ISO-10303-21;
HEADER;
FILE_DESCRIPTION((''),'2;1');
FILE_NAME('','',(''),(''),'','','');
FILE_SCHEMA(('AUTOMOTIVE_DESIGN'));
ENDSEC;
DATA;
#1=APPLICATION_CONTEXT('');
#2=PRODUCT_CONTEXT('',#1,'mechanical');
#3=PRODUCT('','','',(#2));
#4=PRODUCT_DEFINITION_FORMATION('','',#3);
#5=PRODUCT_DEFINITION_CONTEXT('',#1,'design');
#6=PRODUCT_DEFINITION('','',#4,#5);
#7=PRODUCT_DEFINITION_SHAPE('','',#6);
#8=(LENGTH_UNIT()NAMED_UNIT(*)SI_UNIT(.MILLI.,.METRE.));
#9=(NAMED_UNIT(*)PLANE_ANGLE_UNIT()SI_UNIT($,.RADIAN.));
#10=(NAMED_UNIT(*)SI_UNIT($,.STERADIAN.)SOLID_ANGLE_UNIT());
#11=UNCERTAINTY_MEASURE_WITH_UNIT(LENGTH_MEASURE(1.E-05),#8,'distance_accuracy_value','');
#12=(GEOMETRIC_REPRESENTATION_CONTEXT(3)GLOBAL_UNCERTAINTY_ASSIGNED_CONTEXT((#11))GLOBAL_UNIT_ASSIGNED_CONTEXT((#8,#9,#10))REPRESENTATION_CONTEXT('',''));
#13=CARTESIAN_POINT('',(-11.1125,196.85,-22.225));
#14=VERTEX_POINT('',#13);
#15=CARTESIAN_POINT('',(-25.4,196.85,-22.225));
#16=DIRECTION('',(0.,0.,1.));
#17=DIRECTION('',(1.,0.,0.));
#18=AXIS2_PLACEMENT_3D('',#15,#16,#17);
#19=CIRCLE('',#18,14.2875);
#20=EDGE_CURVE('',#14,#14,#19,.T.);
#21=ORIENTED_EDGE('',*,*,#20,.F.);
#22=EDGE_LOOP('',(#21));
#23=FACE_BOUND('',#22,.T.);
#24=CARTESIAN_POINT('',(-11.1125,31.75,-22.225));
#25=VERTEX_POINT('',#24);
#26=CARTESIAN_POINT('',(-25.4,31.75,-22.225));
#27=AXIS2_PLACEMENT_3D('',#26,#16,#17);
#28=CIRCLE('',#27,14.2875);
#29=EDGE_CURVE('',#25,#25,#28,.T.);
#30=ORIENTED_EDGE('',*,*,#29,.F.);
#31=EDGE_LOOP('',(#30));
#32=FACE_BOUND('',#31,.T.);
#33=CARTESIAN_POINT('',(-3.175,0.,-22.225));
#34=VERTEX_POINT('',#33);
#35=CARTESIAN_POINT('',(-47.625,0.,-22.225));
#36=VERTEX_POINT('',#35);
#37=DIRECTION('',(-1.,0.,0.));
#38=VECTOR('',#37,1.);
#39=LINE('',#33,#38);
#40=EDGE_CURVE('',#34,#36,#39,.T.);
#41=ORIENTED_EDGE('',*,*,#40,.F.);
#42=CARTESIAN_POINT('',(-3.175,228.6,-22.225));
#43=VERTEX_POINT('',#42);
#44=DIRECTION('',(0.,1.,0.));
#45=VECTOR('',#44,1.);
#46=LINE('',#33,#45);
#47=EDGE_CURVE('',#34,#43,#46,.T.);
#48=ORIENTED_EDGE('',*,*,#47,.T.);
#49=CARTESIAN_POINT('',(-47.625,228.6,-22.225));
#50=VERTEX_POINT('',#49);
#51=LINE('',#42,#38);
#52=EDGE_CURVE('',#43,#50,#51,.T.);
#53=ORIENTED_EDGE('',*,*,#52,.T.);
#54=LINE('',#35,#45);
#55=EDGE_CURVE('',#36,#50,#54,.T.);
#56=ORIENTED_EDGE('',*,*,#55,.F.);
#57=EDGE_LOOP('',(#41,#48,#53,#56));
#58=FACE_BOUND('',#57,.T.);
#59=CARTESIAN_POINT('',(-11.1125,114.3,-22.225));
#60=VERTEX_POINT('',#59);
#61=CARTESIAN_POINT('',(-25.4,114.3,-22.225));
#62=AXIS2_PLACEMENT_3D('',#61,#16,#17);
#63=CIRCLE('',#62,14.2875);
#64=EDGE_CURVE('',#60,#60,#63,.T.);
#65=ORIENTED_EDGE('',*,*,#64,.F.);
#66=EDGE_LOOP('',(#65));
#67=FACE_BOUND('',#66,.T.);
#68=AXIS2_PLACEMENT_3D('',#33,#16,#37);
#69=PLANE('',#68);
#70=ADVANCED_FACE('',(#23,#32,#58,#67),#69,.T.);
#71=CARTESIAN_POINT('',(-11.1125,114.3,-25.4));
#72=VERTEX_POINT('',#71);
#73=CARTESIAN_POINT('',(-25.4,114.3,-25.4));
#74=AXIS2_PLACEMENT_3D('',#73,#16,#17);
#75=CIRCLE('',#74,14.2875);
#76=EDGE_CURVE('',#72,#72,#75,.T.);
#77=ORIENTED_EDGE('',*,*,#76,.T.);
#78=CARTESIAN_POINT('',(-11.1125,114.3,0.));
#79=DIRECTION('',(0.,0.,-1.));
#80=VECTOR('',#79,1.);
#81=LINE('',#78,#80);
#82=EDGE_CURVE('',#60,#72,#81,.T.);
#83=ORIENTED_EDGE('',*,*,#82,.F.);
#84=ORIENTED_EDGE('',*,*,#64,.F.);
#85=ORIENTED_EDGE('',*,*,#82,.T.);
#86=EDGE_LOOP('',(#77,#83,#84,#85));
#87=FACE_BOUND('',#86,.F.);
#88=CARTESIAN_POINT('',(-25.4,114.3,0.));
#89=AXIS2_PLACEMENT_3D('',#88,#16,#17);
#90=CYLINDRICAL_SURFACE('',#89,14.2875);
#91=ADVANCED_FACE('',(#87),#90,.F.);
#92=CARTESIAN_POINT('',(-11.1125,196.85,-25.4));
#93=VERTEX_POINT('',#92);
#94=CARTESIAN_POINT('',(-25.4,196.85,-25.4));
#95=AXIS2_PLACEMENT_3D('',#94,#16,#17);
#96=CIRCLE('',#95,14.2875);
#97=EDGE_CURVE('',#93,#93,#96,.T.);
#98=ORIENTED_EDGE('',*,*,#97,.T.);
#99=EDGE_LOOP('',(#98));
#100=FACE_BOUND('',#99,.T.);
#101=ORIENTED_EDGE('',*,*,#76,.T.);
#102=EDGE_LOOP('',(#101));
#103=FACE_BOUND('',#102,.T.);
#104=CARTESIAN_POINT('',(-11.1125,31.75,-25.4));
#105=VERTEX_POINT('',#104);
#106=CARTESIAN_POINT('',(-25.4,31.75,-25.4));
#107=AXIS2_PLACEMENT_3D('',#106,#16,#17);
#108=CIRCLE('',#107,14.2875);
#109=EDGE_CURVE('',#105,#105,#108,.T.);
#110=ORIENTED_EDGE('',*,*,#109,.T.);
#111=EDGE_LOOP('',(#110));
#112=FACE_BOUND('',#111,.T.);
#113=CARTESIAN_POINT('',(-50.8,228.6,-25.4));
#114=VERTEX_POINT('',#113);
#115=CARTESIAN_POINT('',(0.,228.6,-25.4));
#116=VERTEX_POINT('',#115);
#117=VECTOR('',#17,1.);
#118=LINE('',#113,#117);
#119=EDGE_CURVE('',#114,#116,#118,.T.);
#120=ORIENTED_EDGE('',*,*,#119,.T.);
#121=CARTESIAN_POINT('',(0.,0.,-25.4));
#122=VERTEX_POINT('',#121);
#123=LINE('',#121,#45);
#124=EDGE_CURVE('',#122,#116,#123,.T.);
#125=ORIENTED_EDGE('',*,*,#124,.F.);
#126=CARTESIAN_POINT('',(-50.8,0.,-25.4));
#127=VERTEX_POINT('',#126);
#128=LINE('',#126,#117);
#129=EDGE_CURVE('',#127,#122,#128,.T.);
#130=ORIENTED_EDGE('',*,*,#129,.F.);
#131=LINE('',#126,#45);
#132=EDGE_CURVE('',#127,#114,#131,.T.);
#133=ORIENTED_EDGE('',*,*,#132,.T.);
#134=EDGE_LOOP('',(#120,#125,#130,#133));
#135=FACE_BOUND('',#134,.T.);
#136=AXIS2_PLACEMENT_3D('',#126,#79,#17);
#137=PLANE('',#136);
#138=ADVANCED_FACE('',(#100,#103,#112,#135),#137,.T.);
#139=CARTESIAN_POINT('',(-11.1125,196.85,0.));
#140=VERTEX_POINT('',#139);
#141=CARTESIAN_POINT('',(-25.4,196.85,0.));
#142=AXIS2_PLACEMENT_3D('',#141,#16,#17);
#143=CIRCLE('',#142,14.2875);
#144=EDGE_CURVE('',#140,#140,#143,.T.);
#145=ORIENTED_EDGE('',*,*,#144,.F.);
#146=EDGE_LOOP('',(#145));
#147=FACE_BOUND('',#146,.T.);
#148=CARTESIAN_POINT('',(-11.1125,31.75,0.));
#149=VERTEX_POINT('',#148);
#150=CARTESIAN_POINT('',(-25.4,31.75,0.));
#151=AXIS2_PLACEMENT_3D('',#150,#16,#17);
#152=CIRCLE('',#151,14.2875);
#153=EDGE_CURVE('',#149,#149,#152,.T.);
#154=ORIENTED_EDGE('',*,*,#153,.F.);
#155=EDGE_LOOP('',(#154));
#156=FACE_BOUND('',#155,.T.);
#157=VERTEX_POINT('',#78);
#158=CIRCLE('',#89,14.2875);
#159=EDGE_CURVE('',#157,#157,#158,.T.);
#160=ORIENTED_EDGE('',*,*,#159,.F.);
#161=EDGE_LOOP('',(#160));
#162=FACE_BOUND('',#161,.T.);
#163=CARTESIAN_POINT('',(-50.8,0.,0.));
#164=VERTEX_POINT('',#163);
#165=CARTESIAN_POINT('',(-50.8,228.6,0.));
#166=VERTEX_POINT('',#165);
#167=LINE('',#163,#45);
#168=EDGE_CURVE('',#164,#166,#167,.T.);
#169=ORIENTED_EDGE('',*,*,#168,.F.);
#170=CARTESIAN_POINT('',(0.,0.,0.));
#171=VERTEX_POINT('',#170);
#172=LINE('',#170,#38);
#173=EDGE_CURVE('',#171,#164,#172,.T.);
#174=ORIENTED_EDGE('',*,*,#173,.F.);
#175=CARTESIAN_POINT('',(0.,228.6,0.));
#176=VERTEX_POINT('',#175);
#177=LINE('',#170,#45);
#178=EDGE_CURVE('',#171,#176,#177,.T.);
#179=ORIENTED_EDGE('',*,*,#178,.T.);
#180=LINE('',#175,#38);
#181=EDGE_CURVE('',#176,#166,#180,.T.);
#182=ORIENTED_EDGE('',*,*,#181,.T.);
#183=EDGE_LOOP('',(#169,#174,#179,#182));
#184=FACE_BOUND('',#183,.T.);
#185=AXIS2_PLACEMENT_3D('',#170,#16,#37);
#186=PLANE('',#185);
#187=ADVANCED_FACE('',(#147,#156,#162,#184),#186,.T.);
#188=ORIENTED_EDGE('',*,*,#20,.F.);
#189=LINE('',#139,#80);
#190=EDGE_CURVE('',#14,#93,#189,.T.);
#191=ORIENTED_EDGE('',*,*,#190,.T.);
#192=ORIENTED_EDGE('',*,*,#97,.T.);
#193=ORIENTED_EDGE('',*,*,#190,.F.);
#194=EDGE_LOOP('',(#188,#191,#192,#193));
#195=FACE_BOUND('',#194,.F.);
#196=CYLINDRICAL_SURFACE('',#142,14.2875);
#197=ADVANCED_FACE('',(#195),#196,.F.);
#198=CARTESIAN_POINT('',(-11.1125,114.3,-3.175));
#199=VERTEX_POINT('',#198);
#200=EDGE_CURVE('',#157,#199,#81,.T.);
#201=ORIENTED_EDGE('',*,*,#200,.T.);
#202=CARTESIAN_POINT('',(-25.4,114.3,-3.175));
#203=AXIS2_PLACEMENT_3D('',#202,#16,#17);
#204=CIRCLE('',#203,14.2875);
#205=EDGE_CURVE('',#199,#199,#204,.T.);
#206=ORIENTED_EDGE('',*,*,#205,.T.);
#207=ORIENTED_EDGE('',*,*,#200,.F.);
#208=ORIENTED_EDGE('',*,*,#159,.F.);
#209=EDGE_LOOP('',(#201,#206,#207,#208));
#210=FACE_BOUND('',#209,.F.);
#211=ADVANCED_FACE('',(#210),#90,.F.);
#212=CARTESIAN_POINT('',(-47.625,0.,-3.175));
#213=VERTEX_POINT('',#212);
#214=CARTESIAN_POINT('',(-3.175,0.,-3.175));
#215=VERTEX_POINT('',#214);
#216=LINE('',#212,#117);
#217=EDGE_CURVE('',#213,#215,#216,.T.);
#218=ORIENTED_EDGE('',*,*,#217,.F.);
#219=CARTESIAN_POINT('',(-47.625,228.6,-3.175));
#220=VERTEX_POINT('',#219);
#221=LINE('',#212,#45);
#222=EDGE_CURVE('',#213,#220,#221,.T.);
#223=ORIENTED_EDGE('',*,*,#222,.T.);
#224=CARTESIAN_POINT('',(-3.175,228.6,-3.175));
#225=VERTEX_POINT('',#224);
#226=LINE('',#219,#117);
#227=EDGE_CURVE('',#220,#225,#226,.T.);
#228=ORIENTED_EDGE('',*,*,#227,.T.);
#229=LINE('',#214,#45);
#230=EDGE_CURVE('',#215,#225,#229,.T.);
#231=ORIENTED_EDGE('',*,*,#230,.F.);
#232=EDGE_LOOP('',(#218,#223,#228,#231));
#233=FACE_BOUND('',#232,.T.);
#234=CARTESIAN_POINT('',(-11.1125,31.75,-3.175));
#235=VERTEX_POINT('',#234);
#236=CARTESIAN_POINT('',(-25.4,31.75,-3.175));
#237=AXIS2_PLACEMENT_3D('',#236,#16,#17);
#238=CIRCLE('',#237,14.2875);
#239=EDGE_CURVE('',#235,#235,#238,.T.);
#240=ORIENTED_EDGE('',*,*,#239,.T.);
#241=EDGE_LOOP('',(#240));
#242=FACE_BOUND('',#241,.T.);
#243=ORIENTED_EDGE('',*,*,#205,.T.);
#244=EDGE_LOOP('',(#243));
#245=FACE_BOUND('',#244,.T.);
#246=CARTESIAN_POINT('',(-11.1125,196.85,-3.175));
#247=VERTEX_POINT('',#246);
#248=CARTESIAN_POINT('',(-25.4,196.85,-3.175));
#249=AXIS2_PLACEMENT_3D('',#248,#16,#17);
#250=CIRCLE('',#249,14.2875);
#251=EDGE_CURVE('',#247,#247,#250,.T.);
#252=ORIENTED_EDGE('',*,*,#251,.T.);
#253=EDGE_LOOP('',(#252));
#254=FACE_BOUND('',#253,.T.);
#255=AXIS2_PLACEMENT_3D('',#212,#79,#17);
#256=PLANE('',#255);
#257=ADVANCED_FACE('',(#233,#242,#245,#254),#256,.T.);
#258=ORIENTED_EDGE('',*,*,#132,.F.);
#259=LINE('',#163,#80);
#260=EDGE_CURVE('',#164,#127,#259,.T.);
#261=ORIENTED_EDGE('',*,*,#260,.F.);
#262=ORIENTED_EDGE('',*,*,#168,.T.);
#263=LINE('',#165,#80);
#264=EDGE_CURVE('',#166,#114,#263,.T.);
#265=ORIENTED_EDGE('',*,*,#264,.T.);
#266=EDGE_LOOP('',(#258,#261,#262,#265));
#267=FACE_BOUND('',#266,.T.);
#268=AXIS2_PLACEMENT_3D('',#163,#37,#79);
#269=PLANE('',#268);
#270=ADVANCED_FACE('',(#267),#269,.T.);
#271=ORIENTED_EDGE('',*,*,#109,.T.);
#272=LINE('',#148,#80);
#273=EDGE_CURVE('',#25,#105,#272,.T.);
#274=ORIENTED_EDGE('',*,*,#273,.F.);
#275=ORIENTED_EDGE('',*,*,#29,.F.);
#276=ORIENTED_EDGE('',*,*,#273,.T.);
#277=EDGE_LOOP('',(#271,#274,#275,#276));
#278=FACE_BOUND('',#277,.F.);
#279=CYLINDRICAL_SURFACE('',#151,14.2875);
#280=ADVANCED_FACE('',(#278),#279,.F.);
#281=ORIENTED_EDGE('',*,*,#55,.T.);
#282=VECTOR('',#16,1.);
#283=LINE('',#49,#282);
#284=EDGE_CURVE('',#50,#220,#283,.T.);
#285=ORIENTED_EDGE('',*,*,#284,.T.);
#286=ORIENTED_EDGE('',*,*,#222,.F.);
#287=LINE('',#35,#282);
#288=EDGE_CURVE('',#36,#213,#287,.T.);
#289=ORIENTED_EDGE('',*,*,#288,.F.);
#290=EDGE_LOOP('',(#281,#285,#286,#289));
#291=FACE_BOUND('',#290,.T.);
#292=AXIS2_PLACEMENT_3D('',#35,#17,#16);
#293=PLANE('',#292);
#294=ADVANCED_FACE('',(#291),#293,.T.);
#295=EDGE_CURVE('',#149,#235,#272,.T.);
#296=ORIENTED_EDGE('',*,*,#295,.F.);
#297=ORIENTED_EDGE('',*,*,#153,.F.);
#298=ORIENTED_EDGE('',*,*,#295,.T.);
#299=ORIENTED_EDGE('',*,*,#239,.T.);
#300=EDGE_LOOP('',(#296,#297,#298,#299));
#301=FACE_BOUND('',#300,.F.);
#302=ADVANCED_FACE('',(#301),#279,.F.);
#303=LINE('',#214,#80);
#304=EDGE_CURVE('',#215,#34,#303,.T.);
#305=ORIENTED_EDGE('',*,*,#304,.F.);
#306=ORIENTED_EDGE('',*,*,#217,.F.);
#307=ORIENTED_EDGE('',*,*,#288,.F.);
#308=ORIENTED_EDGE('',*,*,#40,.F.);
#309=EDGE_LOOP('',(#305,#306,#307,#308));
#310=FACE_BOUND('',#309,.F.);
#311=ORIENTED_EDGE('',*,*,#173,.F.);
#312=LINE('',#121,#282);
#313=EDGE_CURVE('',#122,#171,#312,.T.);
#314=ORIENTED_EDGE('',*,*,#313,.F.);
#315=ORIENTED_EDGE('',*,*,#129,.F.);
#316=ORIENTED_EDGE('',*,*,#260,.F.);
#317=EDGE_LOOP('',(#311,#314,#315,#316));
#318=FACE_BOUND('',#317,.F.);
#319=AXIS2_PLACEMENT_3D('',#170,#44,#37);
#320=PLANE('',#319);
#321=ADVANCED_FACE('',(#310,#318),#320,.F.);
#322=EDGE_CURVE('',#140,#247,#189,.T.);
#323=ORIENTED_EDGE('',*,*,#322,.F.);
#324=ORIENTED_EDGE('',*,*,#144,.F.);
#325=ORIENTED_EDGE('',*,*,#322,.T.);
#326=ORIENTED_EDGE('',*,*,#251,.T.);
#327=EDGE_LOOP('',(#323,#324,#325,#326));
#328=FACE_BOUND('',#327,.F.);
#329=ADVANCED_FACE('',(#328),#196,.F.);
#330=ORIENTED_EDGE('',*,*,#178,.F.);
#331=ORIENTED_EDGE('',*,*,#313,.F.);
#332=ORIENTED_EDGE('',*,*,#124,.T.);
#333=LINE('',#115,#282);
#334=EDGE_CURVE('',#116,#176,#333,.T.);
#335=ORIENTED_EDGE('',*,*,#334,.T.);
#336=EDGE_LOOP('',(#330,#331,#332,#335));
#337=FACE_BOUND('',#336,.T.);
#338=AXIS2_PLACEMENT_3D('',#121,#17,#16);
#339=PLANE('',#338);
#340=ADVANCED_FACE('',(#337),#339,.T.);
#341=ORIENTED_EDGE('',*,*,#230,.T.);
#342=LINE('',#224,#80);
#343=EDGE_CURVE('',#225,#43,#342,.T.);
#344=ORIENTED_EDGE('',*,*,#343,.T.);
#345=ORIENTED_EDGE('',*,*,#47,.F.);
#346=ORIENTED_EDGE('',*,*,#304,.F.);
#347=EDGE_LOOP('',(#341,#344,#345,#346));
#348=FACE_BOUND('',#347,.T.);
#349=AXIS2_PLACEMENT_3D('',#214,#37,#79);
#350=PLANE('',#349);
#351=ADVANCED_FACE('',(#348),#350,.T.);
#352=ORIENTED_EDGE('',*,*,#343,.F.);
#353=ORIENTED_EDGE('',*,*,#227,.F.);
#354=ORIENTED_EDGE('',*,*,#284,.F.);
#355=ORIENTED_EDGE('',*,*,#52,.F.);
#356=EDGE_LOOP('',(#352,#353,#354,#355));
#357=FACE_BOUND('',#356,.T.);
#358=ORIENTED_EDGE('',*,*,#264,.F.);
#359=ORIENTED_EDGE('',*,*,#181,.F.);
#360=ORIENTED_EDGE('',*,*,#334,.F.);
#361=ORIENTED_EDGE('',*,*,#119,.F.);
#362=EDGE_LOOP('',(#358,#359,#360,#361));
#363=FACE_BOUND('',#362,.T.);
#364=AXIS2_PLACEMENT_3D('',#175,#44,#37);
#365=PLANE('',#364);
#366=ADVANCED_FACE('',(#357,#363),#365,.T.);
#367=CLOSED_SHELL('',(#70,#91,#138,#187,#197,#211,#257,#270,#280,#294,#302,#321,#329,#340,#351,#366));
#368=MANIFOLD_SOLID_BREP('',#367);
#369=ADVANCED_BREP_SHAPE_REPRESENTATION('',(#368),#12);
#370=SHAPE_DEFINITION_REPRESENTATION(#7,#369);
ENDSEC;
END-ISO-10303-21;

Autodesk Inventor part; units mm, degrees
ref_plane "YZ Plane" through (0, 0, 0) normal (1, 0, 0) x (0, 1, 0)
ref_plane "XZ Plane" through (0, 0, 0) normal (0, 1, 0) x (-1, 0, 0)
ref_plane "XY Plane" through (0, 0, 0) normal (0, 0, 1) x (1, 0, 0)
sketch "Sketch2" plane through (0, 0, 0) normal (0, 1, 0) x (-1, 0, 0)
  line L0 (0, 0) -> (50.8, 0)
  line L1 (50.8, 0) -> (50.8, -25.4)
  line L2 (50.8, -25.4) -> (0, -25.4)
  line L3 (0, -25.4) -> (0, 0)
  line L4 (47.625, -22.225) -> (47.625, -3.175)
  line L5 (47.625, -3.175) -> (3.175, -3.175)
  line L6 (3.175, -3.175) -> (3.175, -22.225)
  line L7 (3.175, -22.225) -> (47.625, -22.225)
  dimension "d4" = 50.8
  dimension "d5" = 25.4
  dimension "d6" = 3.175
extrude "Extrusion2" add sketch "Sketch2" along normal blind 228.6
sketch "Sketch3" plane through (-50.8, 0, 0) normal (0, 0, 1) x (1, 0, 0)
  circle A0 centre (25.4, 31.75) radius 14.2875
  line L0 (50.8, 0) -> (0, 0) projected
  line L1 (0, 0) -> (0, 228.6) projected
  circle A1 centre (25.4, 196.85) radius 14.2875
  line L2 (0, 228.6) -> (50.8, 228.6) projected
  circle A2 centre (25.4, 114.3) radius 14.2875
  dimension "d9" = 31.75
  dimension "d10" = 25.4
  dimension "d11" = 25.4
  dimension "d12" = 31.75
  dimension "d13" = 114.3
  dimension "d14" = 25.4
  dimension "d15" = 28.575
  dimension "d16" = 28.575
  dimension "d17" = 28.575
extrude "Extrusion3" cut sketch "Sketch3" against normal blind 50.8
properties part number "AluminumBar-1111-2020"
